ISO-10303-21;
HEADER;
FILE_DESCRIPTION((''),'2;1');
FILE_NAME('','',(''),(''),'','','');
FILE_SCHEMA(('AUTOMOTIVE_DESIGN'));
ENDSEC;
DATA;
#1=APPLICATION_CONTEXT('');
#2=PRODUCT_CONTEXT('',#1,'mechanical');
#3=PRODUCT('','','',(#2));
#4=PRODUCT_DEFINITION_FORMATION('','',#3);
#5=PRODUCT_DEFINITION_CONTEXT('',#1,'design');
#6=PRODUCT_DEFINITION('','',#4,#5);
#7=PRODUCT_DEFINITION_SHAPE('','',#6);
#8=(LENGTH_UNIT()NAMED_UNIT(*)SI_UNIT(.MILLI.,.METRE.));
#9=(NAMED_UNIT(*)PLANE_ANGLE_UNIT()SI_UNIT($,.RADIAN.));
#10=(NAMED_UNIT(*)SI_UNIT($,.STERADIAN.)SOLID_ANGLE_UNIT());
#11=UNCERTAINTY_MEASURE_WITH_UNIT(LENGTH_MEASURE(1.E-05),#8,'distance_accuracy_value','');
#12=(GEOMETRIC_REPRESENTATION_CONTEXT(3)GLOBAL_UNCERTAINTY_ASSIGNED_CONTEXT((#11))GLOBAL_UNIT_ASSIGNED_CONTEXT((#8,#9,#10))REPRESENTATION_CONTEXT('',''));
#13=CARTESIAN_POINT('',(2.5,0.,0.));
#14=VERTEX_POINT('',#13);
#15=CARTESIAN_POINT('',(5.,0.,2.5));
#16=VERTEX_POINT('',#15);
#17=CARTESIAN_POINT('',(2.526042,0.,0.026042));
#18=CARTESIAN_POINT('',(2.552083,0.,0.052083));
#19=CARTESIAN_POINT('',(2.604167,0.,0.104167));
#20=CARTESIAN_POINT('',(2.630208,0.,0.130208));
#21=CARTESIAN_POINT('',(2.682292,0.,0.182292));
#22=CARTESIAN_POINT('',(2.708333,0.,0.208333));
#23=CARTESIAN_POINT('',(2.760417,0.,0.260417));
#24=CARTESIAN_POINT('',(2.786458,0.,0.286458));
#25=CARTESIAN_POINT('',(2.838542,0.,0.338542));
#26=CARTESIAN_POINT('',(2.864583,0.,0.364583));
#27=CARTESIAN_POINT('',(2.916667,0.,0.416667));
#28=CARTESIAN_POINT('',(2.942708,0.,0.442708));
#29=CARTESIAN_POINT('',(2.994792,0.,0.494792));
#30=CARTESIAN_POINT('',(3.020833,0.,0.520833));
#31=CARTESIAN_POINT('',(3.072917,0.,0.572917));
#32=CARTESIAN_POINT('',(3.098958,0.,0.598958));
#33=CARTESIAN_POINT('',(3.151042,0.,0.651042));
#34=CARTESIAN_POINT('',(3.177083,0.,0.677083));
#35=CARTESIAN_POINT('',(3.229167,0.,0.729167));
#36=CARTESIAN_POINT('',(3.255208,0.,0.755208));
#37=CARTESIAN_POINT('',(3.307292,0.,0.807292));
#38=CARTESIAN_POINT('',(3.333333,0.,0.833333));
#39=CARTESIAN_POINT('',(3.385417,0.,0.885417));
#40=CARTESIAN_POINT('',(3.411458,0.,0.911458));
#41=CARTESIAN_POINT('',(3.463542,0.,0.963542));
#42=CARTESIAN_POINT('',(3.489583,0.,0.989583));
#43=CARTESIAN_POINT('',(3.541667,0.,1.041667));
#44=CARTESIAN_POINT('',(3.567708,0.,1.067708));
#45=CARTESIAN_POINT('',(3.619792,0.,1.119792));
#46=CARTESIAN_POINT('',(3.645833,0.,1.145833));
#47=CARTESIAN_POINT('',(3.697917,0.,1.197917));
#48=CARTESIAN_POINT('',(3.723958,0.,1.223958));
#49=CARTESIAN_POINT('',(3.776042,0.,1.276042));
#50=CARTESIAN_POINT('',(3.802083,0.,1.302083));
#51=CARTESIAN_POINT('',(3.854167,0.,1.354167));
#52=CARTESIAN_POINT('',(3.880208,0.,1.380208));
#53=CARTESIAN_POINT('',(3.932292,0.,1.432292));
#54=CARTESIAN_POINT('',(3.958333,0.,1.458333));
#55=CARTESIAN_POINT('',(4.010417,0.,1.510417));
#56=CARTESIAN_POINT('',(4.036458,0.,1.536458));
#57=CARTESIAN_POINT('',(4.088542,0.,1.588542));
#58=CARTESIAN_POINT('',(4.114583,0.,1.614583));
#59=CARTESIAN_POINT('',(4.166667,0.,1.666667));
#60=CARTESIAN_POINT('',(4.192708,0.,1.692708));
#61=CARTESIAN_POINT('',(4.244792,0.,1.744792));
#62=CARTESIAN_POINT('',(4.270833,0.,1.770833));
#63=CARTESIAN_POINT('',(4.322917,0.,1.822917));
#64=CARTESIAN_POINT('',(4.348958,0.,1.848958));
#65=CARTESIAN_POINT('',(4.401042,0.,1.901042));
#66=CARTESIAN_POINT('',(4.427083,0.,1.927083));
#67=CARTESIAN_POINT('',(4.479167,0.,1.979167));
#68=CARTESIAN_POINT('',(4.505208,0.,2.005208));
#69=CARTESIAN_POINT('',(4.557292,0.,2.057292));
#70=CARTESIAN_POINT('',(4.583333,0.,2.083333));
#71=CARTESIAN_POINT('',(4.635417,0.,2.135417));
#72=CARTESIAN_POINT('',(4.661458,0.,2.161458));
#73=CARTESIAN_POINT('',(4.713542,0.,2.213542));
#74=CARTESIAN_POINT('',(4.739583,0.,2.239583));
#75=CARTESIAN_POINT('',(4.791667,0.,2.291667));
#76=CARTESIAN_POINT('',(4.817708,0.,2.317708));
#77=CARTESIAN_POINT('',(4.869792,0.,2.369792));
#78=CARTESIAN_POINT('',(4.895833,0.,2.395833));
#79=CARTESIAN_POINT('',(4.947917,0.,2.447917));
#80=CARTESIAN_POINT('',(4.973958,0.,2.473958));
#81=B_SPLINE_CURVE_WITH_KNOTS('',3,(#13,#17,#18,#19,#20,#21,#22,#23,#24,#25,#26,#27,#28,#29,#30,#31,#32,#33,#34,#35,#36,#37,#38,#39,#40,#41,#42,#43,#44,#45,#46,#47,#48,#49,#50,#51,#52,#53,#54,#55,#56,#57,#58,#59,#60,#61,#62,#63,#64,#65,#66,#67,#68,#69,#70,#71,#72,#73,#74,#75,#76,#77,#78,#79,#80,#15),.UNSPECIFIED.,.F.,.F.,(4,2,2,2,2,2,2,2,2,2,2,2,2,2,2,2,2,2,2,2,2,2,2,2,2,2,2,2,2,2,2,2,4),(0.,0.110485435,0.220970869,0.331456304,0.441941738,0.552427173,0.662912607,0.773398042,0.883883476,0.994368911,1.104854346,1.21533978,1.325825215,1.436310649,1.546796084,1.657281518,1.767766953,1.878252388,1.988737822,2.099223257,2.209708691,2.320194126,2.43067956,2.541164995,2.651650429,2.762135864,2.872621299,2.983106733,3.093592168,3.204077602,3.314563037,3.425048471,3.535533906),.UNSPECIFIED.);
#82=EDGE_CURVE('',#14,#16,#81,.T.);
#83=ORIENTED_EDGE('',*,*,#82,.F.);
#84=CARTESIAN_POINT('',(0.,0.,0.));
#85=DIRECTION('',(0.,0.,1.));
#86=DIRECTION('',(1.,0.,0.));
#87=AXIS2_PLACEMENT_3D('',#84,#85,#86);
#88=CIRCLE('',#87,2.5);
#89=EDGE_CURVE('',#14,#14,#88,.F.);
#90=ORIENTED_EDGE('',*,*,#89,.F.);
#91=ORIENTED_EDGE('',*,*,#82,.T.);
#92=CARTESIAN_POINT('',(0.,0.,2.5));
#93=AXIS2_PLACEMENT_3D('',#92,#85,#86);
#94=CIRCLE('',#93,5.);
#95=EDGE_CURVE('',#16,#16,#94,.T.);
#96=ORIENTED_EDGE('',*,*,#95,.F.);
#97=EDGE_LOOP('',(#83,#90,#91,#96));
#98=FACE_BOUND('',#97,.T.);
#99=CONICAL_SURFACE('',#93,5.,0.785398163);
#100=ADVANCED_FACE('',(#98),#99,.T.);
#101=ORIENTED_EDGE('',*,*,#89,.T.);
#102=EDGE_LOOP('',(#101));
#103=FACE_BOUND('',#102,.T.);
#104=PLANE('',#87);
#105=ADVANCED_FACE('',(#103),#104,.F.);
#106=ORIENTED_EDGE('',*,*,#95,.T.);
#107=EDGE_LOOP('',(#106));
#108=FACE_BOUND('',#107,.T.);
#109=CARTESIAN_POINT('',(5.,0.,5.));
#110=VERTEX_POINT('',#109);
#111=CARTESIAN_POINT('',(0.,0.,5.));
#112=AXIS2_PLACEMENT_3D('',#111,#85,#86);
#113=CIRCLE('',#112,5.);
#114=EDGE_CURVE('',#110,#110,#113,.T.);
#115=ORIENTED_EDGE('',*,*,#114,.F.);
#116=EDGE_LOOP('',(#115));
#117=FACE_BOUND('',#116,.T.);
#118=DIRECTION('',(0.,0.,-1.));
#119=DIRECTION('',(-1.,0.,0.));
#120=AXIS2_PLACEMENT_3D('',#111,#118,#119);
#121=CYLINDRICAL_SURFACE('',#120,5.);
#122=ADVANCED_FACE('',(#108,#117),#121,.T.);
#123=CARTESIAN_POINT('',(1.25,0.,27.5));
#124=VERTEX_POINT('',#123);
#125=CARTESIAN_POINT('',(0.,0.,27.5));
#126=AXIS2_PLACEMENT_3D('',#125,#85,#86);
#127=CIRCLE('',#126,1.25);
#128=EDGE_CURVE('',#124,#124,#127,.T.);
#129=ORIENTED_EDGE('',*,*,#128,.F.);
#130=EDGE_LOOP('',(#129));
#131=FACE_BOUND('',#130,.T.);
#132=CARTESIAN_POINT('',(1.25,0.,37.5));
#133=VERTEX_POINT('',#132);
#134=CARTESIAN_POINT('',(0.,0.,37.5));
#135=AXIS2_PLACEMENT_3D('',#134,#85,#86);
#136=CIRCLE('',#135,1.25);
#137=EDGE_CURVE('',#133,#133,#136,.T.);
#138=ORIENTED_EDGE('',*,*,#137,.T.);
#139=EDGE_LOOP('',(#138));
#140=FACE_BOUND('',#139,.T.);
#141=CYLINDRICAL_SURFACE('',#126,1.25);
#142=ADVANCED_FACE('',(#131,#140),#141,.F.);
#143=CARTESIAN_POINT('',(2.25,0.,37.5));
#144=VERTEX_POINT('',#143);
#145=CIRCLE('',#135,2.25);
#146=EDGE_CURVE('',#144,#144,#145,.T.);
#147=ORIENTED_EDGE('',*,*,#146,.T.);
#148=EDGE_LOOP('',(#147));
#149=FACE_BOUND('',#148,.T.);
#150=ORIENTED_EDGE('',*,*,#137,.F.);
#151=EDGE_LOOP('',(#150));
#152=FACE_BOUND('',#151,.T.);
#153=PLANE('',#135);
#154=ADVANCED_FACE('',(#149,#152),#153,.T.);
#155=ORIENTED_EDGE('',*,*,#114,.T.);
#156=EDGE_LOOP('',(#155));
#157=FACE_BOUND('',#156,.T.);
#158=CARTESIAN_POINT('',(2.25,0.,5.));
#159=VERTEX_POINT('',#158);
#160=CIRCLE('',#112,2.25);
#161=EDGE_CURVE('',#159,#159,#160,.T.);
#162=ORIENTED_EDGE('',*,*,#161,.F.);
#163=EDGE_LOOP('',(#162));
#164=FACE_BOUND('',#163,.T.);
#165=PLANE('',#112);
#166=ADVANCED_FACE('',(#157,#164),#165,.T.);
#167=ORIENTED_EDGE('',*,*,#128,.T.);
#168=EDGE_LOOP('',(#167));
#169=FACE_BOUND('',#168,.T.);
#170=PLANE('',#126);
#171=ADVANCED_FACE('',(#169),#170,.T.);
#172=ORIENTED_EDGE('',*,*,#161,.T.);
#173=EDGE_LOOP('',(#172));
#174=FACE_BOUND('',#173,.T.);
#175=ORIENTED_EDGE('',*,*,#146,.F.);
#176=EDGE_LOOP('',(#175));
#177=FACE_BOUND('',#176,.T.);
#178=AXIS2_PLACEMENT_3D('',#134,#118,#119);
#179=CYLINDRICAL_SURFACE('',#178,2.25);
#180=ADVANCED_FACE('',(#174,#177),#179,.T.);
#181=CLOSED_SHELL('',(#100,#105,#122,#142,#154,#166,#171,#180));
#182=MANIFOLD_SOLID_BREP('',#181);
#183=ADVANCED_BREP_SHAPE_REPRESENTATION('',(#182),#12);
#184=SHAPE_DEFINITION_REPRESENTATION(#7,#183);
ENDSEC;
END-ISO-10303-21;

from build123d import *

# Parameters (mm, degrees)
SKETCH1_R           = 5
BOSS_EXTRUDE1_DEPTH = 5
SKETCH2_R           = 2.25
BOSS_EXTRUDE2_DEPTH = 32.5
SKETCH3_R           = 1.25
CUT_EXTRUDE1_DEPTH  = 10
CHAMFER1_SIZE       = 2.5


with BuildPart() as part:
    # Sketch1 → Boss-Extrude1 (new body)
    with BuildSketch(Plane.XY):
        Circle(SKETCH1_R)
    extrude(amount=BOSS_EXTRUDE1_DEPTH)

    # Sketch2 → Boss-Extrude2 (add)
    with BuildSketch(Plane.XY.offset(5)):
        Circle(SKETCH2_R)
    extrude(amount=BOSS_EXTRUDE2_DEPTH)

    # Sketch3 → Cut-Extrude1 (cut)
    with BuildSketch(Plane.XY.offset(37.5)):
        Circle(SKETCH3_R)
    extrude(amount=-CUT_EXTRUDE1_DEPTH, mode=Mode.SUBTRACT)

    # Chamfer1
    chamfer1_edges = [part.edges().sort_by_distance(p)[0] for p in [
        (-5, 0, 0),
    ]]
    chamfer(chamfer1_edges, length=CHAMFER1_SIZE)


solid = part.part
